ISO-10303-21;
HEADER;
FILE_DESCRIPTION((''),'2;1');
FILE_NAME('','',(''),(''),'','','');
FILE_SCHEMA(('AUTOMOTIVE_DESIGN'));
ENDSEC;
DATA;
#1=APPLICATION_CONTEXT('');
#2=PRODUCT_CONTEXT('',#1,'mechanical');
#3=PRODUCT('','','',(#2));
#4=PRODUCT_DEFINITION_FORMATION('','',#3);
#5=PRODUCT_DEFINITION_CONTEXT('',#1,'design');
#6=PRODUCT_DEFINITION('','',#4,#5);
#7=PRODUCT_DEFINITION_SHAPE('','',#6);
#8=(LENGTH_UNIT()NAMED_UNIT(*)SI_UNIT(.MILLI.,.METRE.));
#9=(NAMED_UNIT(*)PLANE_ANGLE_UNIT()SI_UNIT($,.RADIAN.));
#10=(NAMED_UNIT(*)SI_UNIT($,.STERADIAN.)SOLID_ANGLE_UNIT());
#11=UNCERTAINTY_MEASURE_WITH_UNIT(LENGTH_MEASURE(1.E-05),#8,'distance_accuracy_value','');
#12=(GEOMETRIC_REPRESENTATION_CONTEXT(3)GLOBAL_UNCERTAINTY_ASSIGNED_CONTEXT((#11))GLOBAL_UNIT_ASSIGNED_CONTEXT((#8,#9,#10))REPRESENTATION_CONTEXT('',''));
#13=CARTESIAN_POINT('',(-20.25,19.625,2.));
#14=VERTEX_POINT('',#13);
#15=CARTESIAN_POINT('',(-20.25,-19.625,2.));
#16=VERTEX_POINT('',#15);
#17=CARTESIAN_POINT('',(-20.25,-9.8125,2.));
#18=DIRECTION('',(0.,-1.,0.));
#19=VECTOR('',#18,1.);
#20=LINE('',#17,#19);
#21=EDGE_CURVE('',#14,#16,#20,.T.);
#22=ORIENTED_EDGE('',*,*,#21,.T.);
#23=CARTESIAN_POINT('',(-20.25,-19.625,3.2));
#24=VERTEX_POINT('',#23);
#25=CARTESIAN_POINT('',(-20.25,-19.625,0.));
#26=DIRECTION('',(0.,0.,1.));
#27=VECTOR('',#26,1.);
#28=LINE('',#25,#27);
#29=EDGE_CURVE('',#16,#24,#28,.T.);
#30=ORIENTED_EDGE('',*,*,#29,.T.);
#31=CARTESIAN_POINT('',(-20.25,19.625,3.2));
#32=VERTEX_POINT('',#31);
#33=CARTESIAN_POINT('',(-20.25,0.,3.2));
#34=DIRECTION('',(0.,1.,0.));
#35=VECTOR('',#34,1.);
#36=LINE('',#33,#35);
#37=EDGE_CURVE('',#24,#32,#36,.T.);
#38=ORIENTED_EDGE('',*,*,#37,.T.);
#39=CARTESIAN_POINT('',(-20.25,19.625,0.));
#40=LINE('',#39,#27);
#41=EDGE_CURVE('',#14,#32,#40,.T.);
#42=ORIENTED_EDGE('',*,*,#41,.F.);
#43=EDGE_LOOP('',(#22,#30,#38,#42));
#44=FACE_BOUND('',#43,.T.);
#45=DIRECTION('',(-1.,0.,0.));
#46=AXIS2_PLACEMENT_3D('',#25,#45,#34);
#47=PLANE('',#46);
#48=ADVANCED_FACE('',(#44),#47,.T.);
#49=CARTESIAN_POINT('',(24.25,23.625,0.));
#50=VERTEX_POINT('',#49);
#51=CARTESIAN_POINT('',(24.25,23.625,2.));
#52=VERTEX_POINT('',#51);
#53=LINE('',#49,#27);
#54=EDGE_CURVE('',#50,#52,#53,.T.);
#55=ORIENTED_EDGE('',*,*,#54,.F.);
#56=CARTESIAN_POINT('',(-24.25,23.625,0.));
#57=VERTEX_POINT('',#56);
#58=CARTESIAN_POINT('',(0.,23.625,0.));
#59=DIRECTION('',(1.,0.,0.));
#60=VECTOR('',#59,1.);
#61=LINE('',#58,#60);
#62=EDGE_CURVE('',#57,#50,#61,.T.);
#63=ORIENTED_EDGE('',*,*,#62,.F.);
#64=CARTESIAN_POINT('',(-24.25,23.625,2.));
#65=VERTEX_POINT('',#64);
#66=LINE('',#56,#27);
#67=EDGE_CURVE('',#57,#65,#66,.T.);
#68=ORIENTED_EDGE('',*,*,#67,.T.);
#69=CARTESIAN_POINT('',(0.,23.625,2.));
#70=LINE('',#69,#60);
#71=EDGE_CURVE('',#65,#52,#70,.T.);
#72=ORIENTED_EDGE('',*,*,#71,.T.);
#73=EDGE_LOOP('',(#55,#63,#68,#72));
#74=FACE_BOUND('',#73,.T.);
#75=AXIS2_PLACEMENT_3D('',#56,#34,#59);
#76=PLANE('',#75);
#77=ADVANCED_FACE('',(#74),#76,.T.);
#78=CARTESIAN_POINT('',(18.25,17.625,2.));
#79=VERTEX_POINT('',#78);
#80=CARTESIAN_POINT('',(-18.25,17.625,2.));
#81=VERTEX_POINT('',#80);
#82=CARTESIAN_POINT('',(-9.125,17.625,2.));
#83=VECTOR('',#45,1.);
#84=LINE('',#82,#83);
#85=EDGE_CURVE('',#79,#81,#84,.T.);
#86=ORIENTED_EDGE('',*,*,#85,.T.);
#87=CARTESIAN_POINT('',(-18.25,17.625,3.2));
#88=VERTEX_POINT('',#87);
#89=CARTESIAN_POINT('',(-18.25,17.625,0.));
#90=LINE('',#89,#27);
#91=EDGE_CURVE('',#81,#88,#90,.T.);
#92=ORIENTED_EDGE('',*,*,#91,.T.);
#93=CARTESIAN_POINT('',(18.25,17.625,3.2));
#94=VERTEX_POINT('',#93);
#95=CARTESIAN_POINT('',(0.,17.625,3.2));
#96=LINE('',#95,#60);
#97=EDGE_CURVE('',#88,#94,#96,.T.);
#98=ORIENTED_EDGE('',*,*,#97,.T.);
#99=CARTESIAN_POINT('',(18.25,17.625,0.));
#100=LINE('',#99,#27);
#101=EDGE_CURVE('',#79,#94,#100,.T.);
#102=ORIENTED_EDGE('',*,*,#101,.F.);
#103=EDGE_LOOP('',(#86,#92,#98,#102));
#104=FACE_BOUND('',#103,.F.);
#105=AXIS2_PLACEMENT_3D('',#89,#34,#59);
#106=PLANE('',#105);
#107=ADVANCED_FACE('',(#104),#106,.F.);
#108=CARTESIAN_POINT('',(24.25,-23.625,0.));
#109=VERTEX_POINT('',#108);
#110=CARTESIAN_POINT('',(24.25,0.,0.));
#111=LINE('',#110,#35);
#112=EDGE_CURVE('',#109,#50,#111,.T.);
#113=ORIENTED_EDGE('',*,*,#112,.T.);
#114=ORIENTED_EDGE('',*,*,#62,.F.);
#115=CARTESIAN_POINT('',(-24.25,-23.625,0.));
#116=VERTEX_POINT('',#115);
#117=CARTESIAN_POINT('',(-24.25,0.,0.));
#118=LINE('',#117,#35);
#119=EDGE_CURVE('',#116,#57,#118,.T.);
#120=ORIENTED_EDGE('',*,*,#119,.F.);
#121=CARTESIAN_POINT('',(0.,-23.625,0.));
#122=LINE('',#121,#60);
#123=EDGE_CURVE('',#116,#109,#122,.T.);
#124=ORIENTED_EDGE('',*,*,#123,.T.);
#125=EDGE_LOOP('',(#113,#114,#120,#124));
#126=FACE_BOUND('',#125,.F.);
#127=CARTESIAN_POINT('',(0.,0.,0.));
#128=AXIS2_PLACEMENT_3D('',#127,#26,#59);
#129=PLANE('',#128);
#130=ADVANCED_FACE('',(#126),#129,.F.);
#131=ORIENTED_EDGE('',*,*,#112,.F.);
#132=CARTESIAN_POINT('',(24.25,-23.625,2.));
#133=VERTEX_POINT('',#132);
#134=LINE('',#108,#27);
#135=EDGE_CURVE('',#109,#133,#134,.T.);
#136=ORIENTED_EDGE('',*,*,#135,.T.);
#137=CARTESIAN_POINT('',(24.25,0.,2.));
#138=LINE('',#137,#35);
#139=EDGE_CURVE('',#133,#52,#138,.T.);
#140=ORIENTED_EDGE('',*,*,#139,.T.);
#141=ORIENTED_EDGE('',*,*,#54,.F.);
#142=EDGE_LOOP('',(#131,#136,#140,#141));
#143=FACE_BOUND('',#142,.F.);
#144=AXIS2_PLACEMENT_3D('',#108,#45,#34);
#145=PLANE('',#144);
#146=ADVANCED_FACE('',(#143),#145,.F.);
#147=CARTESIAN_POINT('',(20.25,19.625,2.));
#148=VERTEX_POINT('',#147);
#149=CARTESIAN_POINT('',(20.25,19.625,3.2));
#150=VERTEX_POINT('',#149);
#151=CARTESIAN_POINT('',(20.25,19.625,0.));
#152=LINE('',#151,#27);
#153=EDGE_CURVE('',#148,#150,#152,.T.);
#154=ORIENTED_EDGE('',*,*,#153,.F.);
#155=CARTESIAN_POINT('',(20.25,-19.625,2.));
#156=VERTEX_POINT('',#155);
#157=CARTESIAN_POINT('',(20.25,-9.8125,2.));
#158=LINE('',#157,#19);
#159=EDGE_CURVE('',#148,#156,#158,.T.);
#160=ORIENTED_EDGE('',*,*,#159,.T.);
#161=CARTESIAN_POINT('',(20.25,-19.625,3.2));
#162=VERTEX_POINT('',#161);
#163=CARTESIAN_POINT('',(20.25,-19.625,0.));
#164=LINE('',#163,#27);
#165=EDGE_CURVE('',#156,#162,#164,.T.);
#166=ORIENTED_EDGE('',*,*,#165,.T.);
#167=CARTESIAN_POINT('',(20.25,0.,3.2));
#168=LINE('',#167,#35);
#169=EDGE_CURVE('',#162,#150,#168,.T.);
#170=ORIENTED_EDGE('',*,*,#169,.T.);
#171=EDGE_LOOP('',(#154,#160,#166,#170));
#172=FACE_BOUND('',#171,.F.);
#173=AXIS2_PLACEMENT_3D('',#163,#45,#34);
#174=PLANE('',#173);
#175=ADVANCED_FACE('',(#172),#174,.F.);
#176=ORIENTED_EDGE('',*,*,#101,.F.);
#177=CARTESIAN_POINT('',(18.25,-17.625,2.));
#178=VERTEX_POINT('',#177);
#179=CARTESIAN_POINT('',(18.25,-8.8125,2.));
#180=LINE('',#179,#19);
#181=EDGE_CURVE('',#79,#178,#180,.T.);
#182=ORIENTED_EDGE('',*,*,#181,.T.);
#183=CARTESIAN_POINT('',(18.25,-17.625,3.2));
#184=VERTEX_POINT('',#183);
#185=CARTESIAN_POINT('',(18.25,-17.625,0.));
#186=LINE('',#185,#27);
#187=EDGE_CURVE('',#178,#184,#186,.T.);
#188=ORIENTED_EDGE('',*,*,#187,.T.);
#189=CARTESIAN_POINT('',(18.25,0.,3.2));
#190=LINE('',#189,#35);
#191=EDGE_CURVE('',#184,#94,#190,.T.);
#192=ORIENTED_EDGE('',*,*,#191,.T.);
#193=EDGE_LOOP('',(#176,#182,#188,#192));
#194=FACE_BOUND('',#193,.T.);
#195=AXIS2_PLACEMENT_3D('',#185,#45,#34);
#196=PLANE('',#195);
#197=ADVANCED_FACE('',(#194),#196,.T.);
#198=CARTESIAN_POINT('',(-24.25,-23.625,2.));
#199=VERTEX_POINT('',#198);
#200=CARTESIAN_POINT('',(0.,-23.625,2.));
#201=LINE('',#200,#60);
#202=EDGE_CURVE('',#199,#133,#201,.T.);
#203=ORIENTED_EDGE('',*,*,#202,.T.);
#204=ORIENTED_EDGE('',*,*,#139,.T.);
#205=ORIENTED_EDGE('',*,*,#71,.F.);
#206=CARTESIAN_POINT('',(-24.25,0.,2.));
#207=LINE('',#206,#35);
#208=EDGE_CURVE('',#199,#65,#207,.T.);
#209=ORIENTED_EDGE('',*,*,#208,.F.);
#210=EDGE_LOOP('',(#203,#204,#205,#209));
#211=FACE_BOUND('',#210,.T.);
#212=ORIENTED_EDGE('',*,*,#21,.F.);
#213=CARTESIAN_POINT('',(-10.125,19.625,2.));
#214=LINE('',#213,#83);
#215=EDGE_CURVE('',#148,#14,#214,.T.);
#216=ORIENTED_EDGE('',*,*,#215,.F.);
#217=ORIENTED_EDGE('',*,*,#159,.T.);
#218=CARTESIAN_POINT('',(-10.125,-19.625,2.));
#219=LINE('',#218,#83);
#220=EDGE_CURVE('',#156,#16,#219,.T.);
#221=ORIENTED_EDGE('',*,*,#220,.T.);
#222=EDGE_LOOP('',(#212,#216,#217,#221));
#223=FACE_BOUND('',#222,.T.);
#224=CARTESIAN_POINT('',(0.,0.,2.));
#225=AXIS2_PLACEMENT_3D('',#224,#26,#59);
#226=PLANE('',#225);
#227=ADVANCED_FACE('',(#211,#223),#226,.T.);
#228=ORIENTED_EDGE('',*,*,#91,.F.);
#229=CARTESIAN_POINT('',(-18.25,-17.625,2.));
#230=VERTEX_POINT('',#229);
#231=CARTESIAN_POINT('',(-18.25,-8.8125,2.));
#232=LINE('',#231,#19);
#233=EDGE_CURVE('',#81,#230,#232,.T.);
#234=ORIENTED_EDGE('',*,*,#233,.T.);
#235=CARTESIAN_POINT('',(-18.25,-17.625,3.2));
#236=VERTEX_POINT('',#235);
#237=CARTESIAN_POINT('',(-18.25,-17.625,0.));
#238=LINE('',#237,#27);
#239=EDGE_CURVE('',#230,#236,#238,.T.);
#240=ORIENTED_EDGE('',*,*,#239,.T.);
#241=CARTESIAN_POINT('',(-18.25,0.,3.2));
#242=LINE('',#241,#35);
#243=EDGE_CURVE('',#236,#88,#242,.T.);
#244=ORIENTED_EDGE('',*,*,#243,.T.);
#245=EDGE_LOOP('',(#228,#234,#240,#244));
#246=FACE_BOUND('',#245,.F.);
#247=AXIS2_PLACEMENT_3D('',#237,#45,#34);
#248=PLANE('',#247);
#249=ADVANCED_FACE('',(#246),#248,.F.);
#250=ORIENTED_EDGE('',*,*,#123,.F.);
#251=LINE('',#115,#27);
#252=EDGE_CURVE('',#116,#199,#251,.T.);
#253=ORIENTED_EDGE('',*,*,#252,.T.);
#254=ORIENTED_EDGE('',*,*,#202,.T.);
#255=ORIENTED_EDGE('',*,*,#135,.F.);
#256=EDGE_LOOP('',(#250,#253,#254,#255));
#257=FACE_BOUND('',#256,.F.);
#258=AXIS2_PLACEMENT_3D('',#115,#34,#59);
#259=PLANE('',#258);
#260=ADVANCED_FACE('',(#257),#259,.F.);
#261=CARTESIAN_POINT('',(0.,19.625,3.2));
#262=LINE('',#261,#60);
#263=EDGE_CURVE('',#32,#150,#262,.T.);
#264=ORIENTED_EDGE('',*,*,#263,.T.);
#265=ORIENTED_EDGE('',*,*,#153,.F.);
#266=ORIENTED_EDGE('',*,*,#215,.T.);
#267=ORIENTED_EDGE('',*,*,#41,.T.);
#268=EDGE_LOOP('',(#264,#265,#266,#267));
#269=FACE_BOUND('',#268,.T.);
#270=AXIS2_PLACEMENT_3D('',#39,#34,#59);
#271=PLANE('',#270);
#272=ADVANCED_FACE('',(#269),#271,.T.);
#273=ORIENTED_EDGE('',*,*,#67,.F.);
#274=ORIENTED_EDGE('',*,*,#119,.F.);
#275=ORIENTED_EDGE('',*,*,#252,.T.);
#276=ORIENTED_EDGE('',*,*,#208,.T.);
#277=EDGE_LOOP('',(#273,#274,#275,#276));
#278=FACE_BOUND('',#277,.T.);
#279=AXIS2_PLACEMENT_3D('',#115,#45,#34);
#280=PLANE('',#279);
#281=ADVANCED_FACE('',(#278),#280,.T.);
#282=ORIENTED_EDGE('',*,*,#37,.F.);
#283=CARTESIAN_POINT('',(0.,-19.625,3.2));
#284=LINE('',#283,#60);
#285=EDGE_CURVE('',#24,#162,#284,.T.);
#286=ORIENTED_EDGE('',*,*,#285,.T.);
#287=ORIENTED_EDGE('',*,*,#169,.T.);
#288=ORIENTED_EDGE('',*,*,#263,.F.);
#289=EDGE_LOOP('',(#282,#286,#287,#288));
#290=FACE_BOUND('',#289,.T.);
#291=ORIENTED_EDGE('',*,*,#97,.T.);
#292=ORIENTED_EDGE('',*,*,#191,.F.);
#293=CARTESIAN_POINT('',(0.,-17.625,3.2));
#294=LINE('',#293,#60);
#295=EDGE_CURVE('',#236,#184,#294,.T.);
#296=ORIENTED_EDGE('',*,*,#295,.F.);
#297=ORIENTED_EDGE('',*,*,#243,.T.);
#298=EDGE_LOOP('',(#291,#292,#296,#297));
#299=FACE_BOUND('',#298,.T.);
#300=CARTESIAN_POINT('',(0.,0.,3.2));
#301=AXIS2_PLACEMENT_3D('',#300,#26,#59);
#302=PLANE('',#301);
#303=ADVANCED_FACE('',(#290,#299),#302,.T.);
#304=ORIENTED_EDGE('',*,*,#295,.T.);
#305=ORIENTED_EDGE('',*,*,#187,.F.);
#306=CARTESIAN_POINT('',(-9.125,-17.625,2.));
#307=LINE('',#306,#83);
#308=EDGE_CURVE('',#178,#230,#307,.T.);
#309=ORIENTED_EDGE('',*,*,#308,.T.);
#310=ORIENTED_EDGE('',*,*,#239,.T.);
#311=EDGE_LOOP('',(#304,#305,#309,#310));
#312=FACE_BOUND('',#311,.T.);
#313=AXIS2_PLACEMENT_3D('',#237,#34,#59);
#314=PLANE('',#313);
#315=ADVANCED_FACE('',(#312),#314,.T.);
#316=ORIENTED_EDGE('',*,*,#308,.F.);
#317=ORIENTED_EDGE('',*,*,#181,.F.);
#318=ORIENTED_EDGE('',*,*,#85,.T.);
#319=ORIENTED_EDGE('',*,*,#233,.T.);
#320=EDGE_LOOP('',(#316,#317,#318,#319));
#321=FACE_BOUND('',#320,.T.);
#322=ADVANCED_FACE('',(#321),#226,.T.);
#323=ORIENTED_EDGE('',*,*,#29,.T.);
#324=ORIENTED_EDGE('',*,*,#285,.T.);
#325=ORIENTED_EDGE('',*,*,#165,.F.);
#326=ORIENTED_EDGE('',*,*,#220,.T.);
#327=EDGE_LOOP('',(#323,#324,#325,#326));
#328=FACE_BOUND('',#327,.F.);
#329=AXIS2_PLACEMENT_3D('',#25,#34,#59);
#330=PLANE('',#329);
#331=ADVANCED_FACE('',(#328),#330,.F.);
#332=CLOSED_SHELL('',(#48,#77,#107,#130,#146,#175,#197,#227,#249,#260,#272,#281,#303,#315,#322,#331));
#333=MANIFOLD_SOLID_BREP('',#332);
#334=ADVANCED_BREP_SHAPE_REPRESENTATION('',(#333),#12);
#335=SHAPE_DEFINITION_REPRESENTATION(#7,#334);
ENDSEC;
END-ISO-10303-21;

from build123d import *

# Parameters (mm, degrees)
F0_W     = 48.5
F0_H     = 47.25
F0_W_2   = 40.5
F0_H_2   = 39.25
F0_W_3   = 36.5
F0_H_3   = 35.25
F1_DEPTH = 2
F2_DEPTH = 3.2


with BuildPart() as f1:
    # F0 (on Top) → F1 (new body)
    with BuildSketch(Plane.XY):
        Rectangle(F0_W, F0_H)
        Rectangle(F0_W_2, F0_H_2, mode=Mode.SUBTRACT)
        Rectangle(F0_W_2, F0_H_2)
        Rectangle(F0_W_3, F0_H_3, mode=Mode.SUBTRACT)
        Rectangle(F0_W_3, F0_H_3)
    extrude(amount=F1_DEPTH)

    # F0 (on Top) → F2 (join)
    with BuildSketch(Plane.XY):
        Rectangle(F0_W_2, F0_H_2)
        Rectangle(F0_W_3, F0_H_3, mode=Mode.SUBTRACT)
    extrude(amount=F2_DEPTH)


solid = f1.part
